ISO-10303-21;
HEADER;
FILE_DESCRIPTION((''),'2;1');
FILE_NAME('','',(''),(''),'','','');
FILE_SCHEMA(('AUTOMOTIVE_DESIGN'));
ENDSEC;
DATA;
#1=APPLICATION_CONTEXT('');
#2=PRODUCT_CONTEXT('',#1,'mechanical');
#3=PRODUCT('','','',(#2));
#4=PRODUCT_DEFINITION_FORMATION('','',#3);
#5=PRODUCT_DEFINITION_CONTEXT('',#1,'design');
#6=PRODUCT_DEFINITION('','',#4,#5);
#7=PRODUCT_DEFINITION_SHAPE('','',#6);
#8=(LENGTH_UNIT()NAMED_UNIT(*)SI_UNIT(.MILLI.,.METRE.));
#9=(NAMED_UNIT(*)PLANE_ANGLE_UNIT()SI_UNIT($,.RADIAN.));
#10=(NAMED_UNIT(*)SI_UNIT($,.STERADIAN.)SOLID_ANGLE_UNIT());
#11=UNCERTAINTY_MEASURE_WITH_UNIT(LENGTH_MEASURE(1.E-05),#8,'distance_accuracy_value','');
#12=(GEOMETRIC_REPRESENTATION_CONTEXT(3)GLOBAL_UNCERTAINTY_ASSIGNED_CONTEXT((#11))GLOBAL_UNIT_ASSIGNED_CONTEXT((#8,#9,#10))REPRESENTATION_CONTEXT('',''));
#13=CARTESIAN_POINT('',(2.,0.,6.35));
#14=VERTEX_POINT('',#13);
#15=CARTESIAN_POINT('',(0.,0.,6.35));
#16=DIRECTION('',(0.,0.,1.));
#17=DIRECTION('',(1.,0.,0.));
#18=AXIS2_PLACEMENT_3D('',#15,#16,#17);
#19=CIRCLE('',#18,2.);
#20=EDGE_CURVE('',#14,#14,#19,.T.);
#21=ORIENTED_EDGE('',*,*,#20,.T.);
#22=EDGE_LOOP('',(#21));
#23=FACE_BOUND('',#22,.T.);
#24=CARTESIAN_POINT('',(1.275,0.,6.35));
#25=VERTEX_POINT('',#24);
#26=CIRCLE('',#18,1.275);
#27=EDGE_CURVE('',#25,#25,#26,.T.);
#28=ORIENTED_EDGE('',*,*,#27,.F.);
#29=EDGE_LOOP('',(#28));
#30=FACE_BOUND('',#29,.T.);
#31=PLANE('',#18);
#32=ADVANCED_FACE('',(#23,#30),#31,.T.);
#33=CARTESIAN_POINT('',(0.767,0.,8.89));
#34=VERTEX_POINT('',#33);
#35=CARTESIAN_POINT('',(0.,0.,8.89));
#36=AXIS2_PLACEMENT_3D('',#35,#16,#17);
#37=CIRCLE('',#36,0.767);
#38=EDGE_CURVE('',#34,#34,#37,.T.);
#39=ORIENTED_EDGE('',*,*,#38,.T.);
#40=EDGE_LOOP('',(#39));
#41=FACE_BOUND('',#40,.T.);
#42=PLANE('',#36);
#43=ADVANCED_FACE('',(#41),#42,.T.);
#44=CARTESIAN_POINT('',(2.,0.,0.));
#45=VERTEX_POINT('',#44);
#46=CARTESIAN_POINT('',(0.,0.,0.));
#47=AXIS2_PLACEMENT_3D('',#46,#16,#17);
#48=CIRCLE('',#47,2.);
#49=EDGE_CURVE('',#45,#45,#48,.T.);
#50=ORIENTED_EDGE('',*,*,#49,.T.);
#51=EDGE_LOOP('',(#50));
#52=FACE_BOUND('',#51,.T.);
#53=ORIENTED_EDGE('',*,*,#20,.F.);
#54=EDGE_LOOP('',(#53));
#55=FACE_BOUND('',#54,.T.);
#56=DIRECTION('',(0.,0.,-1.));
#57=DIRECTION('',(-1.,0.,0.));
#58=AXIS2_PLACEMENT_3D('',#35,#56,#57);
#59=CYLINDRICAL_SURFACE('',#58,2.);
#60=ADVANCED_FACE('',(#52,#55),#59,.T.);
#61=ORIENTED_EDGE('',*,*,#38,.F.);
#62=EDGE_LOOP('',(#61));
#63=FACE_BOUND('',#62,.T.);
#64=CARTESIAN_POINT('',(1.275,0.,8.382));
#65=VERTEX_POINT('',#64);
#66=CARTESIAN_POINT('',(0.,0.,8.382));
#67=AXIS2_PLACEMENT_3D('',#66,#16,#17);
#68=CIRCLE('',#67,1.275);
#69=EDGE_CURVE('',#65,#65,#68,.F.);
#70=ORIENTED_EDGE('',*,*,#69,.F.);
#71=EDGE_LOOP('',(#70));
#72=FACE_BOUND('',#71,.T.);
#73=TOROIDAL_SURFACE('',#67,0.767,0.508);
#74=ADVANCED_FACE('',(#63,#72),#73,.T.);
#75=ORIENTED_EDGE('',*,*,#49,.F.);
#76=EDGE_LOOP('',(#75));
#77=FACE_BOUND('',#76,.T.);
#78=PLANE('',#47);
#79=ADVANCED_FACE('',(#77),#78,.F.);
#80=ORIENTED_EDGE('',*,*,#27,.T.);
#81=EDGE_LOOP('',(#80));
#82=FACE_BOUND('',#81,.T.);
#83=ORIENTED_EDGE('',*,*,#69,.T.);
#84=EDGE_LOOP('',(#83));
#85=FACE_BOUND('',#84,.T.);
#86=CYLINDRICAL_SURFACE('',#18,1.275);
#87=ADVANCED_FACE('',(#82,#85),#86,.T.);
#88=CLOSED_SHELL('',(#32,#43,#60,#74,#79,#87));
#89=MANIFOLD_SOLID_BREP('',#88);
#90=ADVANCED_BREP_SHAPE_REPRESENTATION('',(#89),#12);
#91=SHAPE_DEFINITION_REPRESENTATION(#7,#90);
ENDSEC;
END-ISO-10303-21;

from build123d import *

# Parameters (mm, degrees)
SKETCH1_R           = 2
BOSS_EXTRUDE1_DEPTH = 8.89
CUT_EXTRUDE1_START  = -2.54
SKETCH2_R           = 2
SKETCH2_R_2         = 1.275
CUT_EXTRUDE1_DEPTH  = 2.54
FILLET2_R           = 0.508


with BuildPart() as part:
    # Sketch1 → Boss-Extrude1 (new body)
    with BuildSketch(Plane.XY):
        Circle(SKETCH1_R)
    extrude(amount=BOSS_EXTRUDE1_DEPTH)

    # Sketch2 → Cut-Extrude1 (cut)
    with BuildSketch(Plane.XY.offset(8.89).offset(CUT_EXTRUDE1_START)):
        Circle(SKETCH2_R)
        Circle(SKETCH2_R_2, mode=Mode.SUBTRACT)
    extrude(amount=CUT_EXTRUDE1_DEPTH, mode=Mode.SUBTRACT)

    # Fillet2
    fillet2_edges = [part.edges().sort_by_distance(p)[0] for p in [
        (-1.275, 0, 8.89),
    ]]
    fillet(fillet2_edges, radius=FILLET2_R)


solid = part.part
